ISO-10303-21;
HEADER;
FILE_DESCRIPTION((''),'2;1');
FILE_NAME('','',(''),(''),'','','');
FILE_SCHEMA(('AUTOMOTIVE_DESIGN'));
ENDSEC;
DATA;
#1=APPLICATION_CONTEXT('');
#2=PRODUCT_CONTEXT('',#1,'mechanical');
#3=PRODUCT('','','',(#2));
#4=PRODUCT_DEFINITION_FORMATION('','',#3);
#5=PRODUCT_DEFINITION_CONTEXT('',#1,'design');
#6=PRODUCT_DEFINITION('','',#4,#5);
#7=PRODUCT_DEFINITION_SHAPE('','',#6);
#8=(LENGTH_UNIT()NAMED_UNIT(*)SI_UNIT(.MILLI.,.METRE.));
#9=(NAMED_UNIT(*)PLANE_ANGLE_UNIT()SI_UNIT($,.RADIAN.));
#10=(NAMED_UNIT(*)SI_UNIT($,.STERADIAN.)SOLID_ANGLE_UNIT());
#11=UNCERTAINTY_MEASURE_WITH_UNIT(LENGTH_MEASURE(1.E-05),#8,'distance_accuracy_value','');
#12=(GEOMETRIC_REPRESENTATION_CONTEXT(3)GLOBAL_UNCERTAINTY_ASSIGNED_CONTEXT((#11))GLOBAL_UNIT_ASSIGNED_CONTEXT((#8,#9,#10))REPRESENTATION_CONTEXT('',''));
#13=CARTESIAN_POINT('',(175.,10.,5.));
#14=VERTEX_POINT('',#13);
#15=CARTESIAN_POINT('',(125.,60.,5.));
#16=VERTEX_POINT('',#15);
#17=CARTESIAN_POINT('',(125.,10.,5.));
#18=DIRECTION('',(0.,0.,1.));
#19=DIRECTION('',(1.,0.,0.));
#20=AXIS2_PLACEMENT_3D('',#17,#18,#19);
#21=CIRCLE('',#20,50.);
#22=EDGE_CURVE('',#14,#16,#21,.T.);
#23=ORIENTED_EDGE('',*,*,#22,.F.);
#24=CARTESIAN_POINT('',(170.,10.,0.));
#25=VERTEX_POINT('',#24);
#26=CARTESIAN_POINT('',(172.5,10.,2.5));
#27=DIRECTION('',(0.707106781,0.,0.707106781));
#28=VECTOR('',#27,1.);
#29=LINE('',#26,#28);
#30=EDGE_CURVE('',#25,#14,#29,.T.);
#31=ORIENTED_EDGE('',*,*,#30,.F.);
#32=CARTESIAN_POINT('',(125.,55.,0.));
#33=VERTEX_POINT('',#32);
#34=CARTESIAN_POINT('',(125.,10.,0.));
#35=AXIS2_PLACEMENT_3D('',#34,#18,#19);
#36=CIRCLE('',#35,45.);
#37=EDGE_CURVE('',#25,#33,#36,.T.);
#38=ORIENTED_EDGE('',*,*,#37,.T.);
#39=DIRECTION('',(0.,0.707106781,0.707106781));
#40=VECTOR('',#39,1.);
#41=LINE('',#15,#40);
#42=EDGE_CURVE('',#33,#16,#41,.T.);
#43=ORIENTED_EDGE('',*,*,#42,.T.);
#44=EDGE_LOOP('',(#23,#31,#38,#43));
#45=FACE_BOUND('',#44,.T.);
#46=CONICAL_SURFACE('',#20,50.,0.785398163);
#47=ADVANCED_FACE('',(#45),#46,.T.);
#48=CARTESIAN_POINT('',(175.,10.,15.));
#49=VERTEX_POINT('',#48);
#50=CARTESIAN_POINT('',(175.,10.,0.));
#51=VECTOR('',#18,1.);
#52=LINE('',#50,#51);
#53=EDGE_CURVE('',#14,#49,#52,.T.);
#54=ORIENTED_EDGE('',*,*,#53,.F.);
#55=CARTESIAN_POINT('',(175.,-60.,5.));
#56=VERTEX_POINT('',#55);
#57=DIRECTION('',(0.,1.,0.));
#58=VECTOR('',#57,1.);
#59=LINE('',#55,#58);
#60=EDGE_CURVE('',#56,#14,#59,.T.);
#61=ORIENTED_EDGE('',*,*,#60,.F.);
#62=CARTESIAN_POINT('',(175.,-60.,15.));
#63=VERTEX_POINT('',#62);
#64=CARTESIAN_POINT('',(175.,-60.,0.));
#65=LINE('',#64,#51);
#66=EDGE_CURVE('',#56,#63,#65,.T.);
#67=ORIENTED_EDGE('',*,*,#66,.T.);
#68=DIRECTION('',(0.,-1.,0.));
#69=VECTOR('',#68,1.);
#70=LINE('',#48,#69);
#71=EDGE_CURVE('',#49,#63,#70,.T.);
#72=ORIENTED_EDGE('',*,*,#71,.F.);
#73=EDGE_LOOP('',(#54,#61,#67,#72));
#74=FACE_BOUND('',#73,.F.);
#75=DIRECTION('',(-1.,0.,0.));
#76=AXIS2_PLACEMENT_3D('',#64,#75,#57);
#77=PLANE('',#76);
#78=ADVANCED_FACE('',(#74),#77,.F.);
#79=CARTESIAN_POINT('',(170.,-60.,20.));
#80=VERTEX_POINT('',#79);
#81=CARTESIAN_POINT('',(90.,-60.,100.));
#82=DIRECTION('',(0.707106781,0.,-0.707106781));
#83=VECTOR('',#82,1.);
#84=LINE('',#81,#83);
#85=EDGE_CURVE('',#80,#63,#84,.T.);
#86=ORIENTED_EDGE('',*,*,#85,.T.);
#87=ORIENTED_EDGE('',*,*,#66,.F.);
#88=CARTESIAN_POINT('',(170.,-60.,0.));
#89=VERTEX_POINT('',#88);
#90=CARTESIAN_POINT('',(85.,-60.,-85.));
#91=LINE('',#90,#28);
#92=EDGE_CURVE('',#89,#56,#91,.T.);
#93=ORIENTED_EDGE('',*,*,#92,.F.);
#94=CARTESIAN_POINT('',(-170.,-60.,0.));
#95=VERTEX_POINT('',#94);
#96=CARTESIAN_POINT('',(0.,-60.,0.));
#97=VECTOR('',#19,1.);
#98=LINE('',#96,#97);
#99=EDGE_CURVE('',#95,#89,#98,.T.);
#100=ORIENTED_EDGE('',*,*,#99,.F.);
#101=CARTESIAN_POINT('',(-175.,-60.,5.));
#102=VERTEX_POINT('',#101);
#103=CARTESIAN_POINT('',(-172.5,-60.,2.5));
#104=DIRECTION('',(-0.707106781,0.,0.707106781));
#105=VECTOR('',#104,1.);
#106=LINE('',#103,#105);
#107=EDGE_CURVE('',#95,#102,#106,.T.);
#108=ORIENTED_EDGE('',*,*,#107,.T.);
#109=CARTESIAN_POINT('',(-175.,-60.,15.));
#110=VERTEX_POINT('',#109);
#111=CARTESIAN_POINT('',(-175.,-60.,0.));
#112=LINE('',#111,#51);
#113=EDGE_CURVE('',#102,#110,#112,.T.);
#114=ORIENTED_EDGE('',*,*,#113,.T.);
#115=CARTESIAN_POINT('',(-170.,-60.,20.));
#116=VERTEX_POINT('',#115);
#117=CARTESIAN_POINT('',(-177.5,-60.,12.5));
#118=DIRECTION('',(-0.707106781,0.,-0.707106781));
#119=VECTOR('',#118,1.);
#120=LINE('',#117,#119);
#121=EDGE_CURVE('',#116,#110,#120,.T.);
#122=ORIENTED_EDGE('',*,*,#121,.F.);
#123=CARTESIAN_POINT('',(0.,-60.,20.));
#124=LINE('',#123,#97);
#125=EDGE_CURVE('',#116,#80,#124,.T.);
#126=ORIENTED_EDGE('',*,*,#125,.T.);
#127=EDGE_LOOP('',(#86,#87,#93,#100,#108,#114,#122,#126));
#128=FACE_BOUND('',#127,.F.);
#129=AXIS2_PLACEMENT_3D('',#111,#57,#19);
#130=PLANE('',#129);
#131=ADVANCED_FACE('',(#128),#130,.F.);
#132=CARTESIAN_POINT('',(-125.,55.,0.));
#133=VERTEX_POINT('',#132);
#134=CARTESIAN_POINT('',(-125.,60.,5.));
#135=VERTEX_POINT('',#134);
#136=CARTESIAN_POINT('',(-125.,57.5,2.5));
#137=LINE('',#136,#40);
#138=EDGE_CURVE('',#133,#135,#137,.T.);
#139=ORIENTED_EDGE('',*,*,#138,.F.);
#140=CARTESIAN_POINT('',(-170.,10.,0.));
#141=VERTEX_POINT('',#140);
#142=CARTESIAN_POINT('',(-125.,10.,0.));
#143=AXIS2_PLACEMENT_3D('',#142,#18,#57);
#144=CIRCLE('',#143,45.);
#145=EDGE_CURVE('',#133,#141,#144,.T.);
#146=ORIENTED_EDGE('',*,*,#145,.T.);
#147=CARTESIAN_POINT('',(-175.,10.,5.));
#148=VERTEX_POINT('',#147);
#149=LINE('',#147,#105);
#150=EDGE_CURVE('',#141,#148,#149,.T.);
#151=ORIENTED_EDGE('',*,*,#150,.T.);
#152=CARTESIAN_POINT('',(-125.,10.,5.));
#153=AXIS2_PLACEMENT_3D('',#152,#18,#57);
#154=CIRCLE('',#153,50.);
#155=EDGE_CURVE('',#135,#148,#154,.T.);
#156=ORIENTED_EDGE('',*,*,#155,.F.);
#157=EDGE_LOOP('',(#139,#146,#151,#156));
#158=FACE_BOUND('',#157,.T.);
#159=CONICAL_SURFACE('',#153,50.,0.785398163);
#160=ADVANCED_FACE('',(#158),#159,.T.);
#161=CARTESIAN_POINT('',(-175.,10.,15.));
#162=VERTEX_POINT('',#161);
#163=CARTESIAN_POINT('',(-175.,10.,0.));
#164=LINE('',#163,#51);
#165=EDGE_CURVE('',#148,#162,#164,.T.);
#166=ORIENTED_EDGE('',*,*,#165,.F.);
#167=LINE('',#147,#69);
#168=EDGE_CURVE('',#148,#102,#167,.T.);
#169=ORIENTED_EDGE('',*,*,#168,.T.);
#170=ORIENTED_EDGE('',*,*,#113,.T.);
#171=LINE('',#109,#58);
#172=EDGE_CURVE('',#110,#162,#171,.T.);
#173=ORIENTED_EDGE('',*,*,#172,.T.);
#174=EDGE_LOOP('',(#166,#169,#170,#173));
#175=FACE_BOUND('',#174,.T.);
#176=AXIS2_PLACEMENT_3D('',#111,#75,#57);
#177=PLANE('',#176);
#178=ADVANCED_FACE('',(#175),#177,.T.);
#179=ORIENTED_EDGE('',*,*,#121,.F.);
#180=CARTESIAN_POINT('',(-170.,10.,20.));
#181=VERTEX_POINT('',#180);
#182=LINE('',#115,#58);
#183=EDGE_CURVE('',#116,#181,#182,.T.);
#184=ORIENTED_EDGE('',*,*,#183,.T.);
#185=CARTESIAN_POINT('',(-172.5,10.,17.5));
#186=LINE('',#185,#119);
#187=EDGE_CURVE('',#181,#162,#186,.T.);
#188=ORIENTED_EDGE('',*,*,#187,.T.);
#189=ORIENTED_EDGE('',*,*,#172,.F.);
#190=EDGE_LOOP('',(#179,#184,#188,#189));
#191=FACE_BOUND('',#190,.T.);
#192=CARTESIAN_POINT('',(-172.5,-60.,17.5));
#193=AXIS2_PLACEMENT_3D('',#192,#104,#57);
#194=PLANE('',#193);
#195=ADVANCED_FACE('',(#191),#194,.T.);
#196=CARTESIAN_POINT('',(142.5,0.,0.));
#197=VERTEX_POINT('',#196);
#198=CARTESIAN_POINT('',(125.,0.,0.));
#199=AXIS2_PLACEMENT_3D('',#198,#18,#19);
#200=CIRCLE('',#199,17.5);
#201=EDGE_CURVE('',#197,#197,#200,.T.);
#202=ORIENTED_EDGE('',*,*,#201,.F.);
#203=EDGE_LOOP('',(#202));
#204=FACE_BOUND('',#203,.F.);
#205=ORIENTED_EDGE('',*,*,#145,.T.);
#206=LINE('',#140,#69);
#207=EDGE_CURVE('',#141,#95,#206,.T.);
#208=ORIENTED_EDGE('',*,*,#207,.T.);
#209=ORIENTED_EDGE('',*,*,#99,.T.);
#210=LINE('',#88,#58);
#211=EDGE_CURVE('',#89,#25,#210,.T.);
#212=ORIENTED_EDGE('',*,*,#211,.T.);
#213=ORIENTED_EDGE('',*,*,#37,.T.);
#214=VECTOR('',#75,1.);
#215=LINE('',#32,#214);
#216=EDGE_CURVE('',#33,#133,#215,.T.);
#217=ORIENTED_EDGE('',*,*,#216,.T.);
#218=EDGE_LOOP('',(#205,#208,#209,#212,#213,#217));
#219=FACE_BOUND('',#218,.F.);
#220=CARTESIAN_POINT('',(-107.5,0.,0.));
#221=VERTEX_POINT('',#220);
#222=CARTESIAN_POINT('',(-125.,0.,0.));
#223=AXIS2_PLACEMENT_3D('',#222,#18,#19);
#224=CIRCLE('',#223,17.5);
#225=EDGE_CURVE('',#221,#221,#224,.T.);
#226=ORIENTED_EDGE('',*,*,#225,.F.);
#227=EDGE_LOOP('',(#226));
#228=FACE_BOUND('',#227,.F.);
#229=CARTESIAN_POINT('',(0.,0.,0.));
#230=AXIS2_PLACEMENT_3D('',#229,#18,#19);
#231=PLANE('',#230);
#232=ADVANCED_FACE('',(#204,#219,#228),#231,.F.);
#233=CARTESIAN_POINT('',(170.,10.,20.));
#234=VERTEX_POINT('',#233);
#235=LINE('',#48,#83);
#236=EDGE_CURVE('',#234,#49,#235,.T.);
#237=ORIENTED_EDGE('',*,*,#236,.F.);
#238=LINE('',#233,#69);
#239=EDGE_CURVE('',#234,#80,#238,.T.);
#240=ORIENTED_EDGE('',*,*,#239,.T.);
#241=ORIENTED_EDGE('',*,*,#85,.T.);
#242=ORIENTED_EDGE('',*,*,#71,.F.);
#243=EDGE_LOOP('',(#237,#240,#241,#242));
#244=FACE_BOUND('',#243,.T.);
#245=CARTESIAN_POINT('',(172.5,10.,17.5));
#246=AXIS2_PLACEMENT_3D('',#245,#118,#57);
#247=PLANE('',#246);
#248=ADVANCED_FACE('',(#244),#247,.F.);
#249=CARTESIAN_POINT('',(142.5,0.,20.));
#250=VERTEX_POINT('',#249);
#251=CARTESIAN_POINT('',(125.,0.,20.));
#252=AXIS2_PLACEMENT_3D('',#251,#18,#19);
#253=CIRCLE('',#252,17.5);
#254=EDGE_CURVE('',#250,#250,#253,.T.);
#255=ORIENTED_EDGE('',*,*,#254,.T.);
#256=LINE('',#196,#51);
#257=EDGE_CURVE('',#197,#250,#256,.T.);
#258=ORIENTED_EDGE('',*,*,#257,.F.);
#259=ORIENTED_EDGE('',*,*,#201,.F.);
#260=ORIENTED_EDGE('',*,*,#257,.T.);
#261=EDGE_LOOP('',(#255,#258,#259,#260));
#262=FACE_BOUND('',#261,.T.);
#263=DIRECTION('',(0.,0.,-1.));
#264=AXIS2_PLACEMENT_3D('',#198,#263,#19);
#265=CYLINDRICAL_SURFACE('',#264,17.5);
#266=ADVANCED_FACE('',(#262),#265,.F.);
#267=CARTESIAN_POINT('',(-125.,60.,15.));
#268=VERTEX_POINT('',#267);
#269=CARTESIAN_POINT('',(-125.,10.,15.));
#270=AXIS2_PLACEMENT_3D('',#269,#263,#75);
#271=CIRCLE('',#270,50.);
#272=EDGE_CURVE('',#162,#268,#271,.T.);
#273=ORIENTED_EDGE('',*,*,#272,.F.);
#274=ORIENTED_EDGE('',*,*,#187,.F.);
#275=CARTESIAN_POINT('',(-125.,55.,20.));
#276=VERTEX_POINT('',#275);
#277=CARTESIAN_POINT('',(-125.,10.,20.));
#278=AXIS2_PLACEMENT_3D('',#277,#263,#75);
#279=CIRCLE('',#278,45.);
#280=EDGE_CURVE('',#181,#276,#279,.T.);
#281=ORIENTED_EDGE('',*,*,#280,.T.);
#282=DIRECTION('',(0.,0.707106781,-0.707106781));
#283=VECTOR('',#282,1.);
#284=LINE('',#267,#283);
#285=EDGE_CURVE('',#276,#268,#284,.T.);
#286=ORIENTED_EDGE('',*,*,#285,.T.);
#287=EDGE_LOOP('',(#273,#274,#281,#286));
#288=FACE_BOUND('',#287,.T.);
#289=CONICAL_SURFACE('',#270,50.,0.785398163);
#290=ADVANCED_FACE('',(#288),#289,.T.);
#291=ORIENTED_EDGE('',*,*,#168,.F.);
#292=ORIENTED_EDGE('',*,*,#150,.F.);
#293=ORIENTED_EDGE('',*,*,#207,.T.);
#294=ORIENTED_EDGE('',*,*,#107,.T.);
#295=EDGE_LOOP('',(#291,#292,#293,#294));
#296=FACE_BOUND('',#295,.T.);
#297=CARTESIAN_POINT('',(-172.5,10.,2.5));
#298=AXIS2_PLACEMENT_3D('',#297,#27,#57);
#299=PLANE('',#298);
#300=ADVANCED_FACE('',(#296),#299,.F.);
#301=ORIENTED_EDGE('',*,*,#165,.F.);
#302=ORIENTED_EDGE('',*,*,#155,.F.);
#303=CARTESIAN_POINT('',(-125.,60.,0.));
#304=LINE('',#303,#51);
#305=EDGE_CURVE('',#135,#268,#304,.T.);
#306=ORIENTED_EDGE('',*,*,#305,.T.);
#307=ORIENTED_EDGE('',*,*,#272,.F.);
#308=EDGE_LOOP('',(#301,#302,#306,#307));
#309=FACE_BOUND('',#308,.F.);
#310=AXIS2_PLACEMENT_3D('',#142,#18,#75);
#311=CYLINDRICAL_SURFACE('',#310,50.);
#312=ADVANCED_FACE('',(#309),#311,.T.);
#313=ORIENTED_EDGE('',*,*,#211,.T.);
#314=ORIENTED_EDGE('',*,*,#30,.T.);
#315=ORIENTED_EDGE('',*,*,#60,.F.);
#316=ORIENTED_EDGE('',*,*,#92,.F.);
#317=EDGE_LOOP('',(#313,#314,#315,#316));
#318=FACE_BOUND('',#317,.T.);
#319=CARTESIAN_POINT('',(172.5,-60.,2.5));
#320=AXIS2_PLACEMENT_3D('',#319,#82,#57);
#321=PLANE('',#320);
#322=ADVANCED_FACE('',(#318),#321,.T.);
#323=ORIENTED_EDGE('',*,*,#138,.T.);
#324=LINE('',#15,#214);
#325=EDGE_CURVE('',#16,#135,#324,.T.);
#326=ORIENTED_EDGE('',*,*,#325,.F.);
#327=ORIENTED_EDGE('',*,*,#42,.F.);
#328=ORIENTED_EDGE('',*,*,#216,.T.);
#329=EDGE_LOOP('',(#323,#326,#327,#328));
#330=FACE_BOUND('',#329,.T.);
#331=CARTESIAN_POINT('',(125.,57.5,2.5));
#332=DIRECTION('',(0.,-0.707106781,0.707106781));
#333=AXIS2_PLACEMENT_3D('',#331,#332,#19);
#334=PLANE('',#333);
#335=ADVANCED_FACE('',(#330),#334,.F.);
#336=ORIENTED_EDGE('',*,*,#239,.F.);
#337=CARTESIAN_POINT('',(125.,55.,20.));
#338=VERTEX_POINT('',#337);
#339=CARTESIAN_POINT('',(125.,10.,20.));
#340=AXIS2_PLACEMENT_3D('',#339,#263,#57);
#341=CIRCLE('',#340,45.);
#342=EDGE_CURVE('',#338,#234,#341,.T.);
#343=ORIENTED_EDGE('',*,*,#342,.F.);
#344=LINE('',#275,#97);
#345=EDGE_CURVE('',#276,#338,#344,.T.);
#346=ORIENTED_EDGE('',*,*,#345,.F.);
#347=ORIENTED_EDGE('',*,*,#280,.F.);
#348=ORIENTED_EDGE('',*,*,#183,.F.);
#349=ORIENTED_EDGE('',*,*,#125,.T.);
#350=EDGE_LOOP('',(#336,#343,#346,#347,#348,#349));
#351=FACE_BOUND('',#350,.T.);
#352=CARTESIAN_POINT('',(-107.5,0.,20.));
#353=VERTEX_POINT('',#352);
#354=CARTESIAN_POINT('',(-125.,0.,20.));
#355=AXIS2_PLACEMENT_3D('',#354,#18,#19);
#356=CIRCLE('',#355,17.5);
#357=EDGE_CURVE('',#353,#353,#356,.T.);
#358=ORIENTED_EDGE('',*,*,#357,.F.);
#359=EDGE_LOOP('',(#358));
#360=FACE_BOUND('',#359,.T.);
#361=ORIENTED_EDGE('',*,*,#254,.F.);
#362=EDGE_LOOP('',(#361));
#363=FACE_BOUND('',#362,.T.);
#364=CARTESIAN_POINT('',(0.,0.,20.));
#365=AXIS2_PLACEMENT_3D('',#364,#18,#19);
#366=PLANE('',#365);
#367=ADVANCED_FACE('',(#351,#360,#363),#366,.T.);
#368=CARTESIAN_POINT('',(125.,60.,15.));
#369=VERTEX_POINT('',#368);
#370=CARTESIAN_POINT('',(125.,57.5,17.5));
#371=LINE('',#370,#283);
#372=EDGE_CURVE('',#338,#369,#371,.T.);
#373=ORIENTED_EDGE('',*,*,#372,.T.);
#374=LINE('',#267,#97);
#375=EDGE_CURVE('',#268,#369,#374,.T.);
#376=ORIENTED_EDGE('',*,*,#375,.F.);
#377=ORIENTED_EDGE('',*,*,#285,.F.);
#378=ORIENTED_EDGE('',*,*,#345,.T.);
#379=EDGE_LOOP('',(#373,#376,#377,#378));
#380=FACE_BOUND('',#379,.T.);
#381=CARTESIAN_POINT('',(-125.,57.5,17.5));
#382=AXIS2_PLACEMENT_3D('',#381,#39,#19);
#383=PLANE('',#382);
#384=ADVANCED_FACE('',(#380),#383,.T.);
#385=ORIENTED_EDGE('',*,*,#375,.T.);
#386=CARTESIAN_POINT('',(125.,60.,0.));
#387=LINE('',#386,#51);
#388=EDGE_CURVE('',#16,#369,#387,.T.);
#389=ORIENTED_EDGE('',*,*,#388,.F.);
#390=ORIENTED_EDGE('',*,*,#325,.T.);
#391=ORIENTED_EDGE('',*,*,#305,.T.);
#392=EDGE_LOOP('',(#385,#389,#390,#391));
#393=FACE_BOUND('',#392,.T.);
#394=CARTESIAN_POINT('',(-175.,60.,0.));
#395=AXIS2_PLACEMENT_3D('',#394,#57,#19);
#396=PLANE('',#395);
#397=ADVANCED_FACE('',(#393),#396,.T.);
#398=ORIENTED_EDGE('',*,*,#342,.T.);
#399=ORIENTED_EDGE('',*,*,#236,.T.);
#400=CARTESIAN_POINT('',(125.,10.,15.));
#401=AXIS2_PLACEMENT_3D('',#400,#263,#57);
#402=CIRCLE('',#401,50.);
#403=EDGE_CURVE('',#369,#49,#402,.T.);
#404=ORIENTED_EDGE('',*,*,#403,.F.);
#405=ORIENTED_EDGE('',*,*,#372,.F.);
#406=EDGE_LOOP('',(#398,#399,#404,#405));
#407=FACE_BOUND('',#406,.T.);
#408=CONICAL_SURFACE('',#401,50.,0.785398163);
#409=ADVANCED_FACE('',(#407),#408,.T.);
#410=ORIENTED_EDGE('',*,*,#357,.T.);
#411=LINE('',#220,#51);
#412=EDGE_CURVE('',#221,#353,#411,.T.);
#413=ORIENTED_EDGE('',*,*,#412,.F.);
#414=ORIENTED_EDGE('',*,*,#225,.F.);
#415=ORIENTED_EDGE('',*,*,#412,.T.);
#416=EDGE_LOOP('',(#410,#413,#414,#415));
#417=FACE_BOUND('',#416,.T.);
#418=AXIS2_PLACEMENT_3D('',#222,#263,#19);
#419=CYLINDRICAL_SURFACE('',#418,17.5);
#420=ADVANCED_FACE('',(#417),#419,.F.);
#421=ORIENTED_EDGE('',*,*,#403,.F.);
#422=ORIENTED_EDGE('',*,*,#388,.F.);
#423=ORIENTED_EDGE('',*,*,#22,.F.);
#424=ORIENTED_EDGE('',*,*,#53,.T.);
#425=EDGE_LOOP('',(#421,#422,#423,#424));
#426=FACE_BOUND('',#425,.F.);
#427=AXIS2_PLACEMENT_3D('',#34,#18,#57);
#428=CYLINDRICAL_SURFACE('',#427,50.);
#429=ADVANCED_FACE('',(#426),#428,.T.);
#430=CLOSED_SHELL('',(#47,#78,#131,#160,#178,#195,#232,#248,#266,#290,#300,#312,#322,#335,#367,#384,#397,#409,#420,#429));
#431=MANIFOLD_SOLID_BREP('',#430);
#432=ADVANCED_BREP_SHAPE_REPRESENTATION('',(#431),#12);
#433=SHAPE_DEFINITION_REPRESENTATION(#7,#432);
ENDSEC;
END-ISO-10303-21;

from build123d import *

# Parameters (mm, degrees)
F0_W     = 350
F0_H     = 120
F0_R     = 17.5
F1_DEPTH = 20
F2_R     = 50
F3_SIZE  = 5


with BuildPart() as f1:
    # F0 (on Top) → F1 (new body)
    with BuildSketch(Plane.XY):
        Rectangle(F0_W, F0_H)
        with Locations((-125, 0)):
            Circle(F0_R, mode=Mode.SUBTRACT)
        with Locations((125, 0)):
            Circle(F0_R, mode=Mode.SUBTRACT)
    extrude(amount=F1_DEPTH)

    # F2
    f2_edges = [f1.edges().sort_by_distance(p)[0] for p in [
        (175, 60, 10),
        (-175, 60, 10),
    ]]
    fillet(f2_edges, radius=F2_R)

    # F3
    f3_edges = [f1.edges().sort_by_distance(p)[0] for p in [
        (175, -25, 0),
        (0, 60, 20),
    ]]
    chamfer(f3_edges, length=F3_SIZE)


solid = f1.part
